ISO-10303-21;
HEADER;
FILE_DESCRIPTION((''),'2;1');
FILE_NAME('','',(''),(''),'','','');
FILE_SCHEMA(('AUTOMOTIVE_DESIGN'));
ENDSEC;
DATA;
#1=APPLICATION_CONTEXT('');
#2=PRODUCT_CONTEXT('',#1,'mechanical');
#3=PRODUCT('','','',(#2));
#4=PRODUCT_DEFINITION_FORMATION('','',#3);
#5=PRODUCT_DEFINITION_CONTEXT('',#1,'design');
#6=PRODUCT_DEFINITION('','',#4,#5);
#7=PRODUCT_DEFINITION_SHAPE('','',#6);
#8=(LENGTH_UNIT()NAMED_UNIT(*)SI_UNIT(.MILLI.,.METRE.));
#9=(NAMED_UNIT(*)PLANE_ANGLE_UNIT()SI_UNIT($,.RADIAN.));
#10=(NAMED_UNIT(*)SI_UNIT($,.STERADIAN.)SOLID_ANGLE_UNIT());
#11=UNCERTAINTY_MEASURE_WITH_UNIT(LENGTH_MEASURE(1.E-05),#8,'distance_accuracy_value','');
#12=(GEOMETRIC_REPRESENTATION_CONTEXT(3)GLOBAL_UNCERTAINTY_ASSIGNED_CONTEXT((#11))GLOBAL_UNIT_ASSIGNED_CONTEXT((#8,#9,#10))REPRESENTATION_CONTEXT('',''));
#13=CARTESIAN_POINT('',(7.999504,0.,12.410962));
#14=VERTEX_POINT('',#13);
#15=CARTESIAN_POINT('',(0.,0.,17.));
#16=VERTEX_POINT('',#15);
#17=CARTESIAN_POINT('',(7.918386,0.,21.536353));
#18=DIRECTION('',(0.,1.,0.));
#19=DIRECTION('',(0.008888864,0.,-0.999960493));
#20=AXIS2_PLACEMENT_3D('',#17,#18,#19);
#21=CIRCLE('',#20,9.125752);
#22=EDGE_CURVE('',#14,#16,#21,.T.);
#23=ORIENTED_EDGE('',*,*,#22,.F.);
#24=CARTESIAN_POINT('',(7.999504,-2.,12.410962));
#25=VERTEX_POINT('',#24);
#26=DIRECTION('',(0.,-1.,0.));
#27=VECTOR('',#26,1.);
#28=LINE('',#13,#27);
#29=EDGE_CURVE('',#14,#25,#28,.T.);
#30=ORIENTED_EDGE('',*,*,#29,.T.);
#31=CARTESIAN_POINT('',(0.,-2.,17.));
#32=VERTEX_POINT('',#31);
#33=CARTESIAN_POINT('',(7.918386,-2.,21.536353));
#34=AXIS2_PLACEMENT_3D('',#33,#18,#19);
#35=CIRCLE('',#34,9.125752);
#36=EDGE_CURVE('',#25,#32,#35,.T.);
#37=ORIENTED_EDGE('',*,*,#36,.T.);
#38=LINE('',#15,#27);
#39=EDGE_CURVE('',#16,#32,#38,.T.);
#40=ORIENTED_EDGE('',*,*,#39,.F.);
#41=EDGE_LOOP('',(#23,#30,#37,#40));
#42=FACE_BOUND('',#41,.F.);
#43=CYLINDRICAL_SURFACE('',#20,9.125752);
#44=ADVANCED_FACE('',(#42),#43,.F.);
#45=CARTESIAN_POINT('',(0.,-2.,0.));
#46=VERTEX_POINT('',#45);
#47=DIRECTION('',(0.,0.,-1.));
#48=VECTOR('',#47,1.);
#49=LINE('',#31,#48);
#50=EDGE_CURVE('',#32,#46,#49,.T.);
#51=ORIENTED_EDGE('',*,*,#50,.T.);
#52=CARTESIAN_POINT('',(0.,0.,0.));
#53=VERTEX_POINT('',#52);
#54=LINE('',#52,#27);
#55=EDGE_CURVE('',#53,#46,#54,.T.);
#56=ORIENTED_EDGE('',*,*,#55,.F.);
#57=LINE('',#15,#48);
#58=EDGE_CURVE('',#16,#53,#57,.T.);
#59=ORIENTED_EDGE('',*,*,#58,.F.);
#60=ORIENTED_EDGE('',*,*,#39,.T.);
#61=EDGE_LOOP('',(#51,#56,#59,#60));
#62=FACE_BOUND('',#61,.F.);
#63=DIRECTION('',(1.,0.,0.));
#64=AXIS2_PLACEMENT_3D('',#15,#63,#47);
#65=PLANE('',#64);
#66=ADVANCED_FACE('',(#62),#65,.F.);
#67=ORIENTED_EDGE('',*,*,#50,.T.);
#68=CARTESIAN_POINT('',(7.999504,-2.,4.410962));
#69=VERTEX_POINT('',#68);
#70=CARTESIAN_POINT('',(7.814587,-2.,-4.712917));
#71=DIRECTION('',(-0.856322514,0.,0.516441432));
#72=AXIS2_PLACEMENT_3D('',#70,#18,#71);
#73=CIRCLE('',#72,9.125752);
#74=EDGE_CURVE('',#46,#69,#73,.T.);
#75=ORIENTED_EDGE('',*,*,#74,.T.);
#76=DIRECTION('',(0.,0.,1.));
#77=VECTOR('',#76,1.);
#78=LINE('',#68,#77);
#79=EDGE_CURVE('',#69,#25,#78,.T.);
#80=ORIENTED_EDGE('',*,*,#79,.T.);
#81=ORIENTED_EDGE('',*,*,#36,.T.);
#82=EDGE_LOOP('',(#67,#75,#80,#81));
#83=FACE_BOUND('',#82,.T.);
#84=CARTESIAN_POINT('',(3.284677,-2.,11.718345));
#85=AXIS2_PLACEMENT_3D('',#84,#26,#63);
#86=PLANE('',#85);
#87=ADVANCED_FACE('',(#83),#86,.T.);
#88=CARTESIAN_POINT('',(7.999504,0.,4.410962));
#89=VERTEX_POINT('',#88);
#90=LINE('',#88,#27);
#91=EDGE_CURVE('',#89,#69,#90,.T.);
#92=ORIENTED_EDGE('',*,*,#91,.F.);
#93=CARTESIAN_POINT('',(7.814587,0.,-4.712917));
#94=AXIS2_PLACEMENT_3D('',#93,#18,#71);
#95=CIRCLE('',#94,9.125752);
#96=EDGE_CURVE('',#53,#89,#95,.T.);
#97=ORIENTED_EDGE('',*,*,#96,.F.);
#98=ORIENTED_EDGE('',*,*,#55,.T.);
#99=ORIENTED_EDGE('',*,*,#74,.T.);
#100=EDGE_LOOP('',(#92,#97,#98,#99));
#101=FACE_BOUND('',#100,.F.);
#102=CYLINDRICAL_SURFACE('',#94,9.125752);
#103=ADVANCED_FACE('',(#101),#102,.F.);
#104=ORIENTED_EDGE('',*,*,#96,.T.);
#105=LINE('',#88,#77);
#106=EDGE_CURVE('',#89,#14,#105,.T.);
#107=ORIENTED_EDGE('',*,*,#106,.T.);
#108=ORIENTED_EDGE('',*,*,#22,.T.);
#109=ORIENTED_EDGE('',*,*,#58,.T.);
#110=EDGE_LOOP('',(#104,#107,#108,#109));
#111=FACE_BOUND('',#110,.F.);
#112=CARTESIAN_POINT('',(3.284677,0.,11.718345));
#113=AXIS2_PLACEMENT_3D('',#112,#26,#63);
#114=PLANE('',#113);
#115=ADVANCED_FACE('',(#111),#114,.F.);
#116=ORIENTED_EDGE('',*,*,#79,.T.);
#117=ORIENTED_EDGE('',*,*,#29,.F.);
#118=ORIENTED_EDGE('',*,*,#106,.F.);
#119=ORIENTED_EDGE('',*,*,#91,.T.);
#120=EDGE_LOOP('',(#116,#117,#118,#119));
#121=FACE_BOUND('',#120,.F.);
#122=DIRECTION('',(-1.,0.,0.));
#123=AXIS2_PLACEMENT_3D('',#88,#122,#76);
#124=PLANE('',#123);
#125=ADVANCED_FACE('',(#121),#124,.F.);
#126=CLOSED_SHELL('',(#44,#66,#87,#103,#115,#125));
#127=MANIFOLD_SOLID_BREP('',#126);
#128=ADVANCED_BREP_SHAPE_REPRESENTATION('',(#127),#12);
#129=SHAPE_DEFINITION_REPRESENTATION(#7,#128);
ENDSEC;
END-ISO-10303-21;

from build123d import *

# Parameters (mm, degrees)
F1_DEPTH = 2


with BuildPart() as f1:
    # F0 (on Front) → F1 (new body)
    with BuildSketch(Plane.XZ):
        with BuildLine():
            Line((0, 17), (0, 8.5))
            Line((0, 8.5), (7.999504, 8.410962))
            Line((7.999504, 8.410962), (7.999504, 12.410962))
            ThreePointArc((7.999504, 12.410962), (3.377405, 13.62062), (0, 17))
        make_face()
        with BuildLine():
            Line((0, 8.5), (0, 0))
            ThreePointArc((0, 0), (3.408102, 3.278469), (7.999504, 4.410962))
            Line((7.999504, 4.410962), (7.999504, 8.410962))
            Line((7.999504, 8.410962), (0, 8.5))
        make_face()
    extrude(amount=F1_DEPTH)


solid = f1.part
